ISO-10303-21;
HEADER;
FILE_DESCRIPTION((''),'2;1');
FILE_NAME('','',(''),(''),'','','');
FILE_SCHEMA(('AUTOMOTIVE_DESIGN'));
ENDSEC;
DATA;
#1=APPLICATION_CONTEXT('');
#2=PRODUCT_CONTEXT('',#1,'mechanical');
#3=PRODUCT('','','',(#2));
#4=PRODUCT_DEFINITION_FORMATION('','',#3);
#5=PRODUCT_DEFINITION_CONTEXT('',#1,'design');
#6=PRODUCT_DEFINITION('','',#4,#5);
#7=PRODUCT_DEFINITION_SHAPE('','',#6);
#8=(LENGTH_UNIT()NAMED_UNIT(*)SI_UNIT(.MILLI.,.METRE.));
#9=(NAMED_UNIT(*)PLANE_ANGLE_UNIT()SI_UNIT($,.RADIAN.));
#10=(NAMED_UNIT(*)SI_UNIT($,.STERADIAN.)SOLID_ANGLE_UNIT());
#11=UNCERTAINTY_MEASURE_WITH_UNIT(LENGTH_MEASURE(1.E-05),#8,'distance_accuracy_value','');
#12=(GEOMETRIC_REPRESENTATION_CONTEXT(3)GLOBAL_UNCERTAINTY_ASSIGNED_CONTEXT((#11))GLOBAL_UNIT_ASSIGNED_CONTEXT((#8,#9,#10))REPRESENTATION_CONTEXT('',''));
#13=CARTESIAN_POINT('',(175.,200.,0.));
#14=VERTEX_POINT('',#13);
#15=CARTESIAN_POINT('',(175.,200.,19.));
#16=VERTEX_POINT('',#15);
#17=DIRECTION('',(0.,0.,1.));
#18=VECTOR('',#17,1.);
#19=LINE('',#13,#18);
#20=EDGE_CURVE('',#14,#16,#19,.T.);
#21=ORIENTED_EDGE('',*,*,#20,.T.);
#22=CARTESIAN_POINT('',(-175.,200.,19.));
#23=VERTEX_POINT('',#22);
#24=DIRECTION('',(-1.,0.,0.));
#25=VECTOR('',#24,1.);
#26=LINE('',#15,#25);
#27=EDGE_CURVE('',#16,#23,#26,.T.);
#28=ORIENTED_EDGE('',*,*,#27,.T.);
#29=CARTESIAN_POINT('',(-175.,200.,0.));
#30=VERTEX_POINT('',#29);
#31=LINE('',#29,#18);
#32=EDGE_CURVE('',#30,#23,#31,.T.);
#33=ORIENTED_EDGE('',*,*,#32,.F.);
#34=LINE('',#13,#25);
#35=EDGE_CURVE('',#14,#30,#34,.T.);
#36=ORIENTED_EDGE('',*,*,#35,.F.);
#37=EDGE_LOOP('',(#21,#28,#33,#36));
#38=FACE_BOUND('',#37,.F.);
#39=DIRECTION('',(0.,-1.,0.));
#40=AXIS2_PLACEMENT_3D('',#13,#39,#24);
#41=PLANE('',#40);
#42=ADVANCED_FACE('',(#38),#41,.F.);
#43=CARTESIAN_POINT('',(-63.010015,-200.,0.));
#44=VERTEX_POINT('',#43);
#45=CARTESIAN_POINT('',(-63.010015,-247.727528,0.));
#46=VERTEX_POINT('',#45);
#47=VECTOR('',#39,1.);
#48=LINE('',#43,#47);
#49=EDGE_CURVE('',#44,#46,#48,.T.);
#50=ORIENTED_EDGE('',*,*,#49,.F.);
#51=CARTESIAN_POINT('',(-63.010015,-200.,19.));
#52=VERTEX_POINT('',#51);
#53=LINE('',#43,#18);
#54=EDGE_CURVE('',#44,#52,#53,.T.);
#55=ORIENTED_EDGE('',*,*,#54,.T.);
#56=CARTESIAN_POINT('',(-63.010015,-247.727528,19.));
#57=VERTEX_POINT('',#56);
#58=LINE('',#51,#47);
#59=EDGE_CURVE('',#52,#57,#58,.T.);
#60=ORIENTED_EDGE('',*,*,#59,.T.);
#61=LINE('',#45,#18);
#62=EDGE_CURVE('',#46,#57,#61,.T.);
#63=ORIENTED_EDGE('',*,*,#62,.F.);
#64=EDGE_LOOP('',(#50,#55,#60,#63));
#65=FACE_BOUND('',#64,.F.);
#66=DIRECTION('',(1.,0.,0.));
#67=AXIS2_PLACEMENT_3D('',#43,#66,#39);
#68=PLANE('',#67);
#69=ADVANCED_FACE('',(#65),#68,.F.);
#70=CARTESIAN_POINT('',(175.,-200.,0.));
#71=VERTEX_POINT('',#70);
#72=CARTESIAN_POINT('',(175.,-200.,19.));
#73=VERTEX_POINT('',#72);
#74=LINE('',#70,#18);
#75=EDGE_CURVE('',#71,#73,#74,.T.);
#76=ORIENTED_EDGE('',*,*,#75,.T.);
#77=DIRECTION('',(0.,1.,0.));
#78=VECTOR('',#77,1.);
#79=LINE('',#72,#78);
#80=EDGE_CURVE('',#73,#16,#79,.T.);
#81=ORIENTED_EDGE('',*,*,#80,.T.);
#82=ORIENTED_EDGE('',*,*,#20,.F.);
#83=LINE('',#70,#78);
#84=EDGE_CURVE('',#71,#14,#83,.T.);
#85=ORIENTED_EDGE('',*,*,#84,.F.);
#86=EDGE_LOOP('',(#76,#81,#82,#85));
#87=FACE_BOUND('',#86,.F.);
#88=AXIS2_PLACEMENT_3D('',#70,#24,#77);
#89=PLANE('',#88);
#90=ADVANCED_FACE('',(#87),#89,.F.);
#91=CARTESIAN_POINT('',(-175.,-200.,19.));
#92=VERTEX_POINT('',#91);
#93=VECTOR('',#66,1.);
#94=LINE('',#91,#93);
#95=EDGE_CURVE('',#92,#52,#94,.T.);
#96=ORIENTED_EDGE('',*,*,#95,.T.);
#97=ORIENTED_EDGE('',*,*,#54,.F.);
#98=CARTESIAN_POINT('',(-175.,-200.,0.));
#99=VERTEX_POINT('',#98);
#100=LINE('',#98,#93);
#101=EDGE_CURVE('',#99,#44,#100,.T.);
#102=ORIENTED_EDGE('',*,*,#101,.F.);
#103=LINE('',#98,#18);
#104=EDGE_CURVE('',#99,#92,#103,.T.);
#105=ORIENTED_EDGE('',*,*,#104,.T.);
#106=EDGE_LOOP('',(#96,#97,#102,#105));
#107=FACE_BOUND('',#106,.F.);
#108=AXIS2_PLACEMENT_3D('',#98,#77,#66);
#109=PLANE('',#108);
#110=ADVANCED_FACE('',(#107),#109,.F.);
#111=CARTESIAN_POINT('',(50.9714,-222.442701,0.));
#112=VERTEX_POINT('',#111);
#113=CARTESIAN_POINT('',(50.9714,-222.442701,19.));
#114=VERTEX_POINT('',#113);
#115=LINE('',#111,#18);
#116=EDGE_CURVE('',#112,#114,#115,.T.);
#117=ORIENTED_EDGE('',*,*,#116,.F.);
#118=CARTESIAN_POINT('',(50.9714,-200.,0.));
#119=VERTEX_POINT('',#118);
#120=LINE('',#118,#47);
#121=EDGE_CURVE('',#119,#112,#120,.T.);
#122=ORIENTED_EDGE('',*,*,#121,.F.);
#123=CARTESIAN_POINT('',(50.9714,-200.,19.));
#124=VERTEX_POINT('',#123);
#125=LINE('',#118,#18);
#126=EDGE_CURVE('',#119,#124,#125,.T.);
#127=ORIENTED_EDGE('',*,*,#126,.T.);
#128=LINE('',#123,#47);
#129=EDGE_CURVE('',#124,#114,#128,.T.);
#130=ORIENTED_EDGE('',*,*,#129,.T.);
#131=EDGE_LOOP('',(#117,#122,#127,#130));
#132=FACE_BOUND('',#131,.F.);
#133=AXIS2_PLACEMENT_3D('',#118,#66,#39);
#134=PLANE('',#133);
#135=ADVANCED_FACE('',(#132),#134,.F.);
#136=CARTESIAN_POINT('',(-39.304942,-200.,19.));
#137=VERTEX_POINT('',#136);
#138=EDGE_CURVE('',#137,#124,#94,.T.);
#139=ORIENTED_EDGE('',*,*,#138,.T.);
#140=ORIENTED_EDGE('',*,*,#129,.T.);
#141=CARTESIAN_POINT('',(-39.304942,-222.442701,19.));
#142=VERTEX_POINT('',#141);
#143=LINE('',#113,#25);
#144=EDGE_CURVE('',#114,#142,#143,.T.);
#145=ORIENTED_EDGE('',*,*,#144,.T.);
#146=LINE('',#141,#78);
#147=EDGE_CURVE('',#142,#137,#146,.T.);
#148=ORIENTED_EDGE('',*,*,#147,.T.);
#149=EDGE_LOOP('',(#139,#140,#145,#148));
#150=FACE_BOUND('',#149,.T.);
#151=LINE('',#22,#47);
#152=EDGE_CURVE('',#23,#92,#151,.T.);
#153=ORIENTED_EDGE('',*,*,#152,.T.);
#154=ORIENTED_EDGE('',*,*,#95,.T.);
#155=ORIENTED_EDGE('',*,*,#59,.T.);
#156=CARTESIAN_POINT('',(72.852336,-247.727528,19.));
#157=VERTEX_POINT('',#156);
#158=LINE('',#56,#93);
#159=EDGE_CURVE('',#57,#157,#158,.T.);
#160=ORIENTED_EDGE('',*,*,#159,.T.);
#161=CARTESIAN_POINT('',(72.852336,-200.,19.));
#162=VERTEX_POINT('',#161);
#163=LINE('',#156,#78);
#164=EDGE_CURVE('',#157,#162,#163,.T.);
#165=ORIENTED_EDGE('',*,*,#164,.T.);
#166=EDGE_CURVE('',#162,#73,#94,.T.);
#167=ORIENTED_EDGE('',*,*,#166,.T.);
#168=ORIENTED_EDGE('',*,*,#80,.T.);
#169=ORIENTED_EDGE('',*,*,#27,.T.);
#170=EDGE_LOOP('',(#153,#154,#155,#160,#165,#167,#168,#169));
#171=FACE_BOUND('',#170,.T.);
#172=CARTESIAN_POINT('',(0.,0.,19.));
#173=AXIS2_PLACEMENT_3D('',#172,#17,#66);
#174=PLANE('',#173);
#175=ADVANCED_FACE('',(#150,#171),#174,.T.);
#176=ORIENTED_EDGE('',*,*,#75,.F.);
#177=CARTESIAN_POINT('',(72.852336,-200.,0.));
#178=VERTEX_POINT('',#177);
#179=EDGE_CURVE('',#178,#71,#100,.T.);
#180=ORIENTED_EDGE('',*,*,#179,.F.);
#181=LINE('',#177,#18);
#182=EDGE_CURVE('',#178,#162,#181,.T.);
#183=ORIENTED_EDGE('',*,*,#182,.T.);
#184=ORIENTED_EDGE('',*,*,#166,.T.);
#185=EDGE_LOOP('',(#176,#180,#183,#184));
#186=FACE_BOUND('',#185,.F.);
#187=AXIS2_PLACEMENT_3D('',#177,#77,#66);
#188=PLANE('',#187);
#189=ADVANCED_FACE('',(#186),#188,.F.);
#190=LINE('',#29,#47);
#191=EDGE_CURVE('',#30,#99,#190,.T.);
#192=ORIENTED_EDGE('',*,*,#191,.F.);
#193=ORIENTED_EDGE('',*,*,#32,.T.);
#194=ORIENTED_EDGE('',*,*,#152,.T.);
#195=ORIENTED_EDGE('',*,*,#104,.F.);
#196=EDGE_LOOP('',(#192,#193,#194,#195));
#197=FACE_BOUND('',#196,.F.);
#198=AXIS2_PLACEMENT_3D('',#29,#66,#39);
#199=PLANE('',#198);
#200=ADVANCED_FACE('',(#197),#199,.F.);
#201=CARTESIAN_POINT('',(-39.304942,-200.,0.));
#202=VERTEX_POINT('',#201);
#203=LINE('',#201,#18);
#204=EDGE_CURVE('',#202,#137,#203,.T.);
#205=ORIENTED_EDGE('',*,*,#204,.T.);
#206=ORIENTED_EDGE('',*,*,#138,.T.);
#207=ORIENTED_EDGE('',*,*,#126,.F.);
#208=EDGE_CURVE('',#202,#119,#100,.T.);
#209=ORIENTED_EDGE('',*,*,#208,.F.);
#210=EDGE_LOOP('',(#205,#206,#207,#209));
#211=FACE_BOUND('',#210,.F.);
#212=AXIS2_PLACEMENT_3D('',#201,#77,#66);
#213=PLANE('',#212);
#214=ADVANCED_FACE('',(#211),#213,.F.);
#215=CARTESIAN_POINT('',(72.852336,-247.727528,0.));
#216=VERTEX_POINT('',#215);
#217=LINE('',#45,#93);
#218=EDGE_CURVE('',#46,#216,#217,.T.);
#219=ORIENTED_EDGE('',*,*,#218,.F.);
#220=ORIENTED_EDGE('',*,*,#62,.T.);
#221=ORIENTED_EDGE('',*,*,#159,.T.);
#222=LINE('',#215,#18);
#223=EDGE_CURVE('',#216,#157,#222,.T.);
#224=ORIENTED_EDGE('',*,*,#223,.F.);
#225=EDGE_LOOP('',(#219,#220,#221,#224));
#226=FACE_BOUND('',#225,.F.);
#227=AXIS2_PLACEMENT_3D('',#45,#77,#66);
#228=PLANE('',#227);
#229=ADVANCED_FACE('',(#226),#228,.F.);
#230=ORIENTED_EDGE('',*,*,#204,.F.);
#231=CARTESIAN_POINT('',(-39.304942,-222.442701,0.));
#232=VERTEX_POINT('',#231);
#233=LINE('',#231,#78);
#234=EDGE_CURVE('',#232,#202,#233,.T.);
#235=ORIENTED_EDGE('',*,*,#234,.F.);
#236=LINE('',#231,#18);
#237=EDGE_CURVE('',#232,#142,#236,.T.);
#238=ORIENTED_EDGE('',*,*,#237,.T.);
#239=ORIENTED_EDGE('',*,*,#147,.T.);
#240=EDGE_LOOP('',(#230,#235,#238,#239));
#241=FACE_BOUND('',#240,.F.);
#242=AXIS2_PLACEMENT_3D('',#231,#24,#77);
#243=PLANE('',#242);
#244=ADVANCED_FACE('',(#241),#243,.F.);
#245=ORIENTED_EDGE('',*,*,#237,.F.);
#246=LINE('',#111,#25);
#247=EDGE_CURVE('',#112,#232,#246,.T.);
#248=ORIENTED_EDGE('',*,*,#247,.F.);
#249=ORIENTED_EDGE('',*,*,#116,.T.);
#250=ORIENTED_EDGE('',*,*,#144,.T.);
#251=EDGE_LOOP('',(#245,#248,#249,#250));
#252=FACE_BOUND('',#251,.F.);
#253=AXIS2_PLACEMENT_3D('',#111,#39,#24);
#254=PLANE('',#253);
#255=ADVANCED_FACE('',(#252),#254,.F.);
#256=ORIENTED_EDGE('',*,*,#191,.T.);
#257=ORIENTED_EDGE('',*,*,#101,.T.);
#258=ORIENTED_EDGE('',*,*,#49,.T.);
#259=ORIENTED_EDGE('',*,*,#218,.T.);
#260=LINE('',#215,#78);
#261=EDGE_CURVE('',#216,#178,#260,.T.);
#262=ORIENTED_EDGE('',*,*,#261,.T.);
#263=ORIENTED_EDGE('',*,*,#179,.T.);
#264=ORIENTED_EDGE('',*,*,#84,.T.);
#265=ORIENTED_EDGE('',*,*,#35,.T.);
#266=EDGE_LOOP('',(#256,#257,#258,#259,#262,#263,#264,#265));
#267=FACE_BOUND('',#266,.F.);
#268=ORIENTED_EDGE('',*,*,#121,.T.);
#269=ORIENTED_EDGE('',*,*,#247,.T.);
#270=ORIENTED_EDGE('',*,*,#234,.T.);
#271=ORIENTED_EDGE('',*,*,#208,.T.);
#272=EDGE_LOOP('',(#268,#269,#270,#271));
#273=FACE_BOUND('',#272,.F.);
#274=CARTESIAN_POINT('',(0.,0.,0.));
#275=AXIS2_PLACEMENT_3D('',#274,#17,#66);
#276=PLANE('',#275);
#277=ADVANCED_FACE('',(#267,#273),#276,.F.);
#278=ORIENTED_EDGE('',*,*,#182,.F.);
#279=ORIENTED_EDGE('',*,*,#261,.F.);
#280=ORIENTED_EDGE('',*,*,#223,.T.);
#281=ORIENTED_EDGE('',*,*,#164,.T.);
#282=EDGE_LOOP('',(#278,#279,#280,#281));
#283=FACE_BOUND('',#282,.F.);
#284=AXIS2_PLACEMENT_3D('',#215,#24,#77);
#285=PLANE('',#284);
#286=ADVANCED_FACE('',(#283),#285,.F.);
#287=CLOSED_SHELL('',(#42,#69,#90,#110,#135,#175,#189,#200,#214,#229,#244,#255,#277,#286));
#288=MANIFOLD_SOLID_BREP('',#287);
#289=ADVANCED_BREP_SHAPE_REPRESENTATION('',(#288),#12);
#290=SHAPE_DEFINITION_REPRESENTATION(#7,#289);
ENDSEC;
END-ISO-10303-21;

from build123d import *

# Parameters (mm, degrees)
F1_DEPTH = 19


with BuildPart() as f1:
    # F0 (on Top) → F1 (new body)
    with BuildSketch(Plane.XY):
        Polygon((175, -200), (175, 200), (-175, 200), (-175, -200), (-63.010015, -200), (-39.304942, -200), (50.9714, -200), (72.852336, -200), align=None)
        Polygon((72.852336, -247.727528), (72.852336, -200), (50.9714, -200), (50.9714, -222.442701), (-39.304942, -222.442701), (-39.304942, -200), (-63.010015, -200), (-63.010015, -247.727528), align=None)
    extrude(amount=F1_DEPTH)


solid = f1.part
